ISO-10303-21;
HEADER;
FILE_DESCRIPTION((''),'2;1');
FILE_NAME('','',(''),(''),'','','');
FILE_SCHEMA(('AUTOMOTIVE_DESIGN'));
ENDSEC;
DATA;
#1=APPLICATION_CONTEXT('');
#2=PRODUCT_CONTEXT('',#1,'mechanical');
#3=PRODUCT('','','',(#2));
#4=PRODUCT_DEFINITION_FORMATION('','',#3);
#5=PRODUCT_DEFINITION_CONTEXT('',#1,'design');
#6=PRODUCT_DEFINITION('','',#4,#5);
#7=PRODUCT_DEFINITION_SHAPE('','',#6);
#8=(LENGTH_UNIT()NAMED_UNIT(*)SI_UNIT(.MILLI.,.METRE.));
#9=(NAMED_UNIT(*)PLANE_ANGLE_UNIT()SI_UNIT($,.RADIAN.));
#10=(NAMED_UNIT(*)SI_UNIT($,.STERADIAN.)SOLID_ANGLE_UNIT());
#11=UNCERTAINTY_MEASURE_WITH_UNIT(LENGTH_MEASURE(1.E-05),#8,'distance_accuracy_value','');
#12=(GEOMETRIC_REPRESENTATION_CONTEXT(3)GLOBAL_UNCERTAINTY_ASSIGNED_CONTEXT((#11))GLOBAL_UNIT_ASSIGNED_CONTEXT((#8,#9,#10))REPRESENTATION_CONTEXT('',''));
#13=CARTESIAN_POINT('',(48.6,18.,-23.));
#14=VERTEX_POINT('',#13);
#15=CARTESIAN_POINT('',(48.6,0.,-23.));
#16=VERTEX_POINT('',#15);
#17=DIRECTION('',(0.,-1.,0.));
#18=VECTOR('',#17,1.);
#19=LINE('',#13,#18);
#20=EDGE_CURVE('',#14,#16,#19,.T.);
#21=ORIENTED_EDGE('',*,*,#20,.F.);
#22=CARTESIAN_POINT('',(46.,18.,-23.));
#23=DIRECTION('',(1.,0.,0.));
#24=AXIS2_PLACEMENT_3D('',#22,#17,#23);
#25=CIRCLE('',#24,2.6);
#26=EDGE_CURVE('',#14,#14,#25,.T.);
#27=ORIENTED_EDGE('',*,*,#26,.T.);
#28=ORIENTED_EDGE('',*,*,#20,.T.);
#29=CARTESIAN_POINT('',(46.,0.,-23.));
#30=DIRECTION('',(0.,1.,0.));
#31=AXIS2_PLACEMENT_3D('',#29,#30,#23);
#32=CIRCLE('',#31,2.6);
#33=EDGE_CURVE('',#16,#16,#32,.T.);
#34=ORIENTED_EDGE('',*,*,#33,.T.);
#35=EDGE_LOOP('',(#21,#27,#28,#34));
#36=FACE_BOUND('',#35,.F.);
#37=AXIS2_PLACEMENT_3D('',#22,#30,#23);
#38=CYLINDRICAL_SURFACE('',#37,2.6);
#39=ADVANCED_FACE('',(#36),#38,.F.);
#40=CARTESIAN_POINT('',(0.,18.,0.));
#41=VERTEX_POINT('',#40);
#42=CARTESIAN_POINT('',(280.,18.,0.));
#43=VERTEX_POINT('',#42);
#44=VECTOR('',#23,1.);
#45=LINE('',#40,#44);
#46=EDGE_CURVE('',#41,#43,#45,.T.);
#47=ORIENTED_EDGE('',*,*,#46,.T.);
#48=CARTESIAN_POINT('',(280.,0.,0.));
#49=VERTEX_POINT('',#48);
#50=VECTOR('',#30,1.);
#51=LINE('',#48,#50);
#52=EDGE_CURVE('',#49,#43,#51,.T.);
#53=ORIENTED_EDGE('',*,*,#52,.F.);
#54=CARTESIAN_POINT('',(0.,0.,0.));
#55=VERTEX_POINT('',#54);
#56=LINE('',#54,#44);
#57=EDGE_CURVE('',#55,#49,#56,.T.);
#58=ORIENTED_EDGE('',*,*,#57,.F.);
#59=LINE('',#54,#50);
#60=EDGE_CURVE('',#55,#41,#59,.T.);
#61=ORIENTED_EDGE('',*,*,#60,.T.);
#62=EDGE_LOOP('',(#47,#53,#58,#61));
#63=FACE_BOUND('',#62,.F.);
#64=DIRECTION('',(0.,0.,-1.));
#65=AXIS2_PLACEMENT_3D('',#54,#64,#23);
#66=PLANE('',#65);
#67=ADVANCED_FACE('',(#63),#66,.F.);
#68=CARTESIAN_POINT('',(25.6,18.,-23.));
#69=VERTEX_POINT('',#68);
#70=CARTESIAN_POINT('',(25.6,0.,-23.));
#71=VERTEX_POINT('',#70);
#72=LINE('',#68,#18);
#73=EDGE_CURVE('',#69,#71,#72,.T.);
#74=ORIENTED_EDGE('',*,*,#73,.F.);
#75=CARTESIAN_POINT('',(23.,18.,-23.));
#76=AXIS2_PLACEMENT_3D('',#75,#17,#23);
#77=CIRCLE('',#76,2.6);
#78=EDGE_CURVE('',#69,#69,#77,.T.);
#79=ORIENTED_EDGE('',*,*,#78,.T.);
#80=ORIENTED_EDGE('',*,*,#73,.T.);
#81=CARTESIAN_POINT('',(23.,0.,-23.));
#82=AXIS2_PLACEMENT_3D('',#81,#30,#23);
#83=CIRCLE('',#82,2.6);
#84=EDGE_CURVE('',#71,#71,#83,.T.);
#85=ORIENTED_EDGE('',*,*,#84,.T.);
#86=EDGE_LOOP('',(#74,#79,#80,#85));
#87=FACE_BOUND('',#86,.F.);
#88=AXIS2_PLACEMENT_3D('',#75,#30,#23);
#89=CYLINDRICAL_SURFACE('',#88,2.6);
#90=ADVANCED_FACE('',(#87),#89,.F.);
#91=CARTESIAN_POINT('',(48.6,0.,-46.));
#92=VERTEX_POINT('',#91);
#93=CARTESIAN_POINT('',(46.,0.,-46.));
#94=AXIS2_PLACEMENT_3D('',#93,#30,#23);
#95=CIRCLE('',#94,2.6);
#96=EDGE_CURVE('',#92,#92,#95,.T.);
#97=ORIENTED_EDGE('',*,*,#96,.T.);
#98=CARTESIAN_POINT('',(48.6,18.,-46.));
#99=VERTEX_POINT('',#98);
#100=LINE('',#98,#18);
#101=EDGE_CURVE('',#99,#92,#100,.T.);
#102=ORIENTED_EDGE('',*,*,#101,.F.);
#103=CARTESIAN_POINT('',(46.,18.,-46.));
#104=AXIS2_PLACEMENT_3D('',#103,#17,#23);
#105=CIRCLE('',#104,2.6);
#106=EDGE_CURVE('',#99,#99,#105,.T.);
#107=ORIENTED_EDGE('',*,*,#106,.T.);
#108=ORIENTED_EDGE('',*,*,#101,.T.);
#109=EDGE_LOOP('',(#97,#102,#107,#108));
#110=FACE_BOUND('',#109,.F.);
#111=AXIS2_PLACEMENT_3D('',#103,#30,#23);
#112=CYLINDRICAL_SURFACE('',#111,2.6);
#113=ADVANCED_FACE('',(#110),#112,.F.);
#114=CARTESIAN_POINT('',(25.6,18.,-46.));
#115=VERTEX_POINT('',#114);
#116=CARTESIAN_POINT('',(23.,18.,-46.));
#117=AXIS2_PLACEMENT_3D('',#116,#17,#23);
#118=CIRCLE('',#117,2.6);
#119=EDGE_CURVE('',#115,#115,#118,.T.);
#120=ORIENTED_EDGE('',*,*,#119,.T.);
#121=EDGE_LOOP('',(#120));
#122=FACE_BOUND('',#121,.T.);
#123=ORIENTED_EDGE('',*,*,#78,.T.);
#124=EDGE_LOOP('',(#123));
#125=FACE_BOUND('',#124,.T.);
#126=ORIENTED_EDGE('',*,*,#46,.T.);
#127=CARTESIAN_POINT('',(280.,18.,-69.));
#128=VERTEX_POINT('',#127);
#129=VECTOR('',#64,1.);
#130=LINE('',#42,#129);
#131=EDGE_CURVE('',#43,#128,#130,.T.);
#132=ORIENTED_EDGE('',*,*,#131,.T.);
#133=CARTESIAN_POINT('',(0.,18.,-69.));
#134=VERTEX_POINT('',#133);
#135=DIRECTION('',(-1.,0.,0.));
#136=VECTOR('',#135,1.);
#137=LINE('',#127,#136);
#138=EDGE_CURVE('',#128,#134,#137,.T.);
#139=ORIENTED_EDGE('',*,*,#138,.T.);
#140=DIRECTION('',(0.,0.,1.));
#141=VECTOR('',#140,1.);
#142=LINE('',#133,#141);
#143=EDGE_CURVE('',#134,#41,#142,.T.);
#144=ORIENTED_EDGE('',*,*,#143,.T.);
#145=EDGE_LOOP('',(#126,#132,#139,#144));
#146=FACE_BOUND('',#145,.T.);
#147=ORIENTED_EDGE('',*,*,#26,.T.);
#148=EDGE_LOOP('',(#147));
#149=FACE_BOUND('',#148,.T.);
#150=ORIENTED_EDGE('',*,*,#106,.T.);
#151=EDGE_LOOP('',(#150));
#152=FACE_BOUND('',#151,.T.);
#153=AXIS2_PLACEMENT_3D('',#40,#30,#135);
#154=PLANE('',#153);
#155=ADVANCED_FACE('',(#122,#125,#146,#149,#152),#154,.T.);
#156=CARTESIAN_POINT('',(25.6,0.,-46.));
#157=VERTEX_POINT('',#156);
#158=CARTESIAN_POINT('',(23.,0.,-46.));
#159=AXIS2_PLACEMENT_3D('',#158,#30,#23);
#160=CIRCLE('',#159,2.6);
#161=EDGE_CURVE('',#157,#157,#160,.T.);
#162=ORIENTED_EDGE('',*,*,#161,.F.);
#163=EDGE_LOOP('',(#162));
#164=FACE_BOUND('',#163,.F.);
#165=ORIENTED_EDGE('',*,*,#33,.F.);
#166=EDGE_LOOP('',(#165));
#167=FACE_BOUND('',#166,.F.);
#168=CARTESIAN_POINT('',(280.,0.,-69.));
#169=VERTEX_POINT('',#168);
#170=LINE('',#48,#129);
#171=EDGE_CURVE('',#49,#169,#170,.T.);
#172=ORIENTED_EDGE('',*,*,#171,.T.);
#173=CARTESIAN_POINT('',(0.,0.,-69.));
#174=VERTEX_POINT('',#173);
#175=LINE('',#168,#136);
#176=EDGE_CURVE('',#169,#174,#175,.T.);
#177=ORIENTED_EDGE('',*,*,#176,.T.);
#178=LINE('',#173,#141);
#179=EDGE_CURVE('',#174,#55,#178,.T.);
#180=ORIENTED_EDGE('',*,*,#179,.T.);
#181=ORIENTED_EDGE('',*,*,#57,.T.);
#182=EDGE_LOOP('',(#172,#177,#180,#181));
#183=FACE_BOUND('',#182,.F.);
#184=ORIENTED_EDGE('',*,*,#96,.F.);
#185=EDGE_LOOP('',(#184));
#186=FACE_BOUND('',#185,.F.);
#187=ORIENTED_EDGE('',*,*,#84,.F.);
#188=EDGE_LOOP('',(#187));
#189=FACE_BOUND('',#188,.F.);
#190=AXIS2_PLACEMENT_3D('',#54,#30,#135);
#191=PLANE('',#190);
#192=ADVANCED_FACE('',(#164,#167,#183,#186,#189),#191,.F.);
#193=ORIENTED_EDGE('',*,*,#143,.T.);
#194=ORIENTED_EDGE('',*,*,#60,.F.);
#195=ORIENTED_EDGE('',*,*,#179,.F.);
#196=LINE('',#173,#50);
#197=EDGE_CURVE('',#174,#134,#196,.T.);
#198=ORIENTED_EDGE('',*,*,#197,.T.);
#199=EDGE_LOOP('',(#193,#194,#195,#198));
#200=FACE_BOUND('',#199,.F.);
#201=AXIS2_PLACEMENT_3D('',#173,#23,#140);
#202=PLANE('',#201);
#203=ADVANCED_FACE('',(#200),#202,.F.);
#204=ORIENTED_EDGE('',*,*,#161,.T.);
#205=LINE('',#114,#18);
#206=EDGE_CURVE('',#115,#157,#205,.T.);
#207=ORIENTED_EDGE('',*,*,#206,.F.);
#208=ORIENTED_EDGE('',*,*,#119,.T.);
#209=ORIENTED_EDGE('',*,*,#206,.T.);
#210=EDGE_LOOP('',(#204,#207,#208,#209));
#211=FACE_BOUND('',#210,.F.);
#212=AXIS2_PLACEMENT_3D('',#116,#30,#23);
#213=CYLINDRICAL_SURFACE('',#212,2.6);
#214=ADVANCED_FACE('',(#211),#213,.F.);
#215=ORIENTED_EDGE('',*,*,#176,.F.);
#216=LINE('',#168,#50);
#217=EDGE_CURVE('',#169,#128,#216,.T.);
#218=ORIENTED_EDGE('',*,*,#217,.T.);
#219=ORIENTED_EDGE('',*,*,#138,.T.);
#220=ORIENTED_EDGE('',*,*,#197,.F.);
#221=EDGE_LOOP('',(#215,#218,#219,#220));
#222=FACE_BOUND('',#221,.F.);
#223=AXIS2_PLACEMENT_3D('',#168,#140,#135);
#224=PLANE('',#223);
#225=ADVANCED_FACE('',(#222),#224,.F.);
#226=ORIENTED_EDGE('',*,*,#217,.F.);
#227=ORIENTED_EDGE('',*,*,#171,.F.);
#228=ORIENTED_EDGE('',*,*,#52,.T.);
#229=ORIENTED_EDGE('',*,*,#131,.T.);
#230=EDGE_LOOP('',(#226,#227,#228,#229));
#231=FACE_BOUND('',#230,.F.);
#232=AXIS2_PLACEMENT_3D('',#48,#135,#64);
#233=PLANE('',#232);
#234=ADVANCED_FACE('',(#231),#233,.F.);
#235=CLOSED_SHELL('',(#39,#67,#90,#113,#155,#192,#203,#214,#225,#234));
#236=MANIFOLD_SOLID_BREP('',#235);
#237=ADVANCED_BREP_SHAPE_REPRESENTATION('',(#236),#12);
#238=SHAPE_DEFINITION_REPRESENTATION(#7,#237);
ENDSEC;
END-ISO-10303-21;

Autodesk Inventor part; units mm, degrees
ref_plane "YZ Plane" through (0, 0, 0) normal (1, 0, 0) x (0, 1, 0)
ref_plane "XZ Plane" through (0, 0, 0) normal (0, 1, 0) x (-1, 0, 0)
ref_plane "XY Plane" through (0, 0, 0) normal (0, 0, 1) x (1, 0, 0)
sketch "Sketch1" plane through (0, 0, 0) normal (0, 1, 0) x (-1, 0, 0)
  line L0 (0, 0) -> (-280, 0)
  line L1 (-280, 0) -> (-280, -69)
  line L2 (-280, -69) -> (0, -69)
  line L3 (0, -69) -> (0, 0)
  dimension "d0" = 69
  dimension "d1" = 280
extrude "Extrusion1" add sketch "Sketch1" along normal blind 18
sketch "Sketch2" plane through (0, 18, 0) normal (0, 1, 0) x (1, 0, 0)
  circle A0 centre (23, 23) radius 2.6
  circle A1 centre (46, 46) radius 2.6
  circle A2 centre (23, 46) radius 2.6
  circle A3 centre (46, 23) radius 2.6
  line L0 (46, 46) -> (23, 23)
  line L1 (23, 46) -> (46, 23)
  line L2 (0, 69) -> (0, 0) projected
  line L3 (0, 0) -> (280, 0) projected
  point P0 (34.5, 34.5)
  point P1 (34.5, 34.5)
  point P2 (0, 34.5)
  dimension "d4" = 5.2
  dimension "d5" = 5.2
  dimension "d6" = 5.2
  dimension "d7" = 5.2
  dimension "d8" = 23
  dimension "d9" = 23
extrude "Extrusion2" cut sketch "Sketch2" against normal through all
equation "\"d5\" = d4"
equation "\"d6\" = d4"
equation "\"d7\" = d4"
properties part number "theplank"
